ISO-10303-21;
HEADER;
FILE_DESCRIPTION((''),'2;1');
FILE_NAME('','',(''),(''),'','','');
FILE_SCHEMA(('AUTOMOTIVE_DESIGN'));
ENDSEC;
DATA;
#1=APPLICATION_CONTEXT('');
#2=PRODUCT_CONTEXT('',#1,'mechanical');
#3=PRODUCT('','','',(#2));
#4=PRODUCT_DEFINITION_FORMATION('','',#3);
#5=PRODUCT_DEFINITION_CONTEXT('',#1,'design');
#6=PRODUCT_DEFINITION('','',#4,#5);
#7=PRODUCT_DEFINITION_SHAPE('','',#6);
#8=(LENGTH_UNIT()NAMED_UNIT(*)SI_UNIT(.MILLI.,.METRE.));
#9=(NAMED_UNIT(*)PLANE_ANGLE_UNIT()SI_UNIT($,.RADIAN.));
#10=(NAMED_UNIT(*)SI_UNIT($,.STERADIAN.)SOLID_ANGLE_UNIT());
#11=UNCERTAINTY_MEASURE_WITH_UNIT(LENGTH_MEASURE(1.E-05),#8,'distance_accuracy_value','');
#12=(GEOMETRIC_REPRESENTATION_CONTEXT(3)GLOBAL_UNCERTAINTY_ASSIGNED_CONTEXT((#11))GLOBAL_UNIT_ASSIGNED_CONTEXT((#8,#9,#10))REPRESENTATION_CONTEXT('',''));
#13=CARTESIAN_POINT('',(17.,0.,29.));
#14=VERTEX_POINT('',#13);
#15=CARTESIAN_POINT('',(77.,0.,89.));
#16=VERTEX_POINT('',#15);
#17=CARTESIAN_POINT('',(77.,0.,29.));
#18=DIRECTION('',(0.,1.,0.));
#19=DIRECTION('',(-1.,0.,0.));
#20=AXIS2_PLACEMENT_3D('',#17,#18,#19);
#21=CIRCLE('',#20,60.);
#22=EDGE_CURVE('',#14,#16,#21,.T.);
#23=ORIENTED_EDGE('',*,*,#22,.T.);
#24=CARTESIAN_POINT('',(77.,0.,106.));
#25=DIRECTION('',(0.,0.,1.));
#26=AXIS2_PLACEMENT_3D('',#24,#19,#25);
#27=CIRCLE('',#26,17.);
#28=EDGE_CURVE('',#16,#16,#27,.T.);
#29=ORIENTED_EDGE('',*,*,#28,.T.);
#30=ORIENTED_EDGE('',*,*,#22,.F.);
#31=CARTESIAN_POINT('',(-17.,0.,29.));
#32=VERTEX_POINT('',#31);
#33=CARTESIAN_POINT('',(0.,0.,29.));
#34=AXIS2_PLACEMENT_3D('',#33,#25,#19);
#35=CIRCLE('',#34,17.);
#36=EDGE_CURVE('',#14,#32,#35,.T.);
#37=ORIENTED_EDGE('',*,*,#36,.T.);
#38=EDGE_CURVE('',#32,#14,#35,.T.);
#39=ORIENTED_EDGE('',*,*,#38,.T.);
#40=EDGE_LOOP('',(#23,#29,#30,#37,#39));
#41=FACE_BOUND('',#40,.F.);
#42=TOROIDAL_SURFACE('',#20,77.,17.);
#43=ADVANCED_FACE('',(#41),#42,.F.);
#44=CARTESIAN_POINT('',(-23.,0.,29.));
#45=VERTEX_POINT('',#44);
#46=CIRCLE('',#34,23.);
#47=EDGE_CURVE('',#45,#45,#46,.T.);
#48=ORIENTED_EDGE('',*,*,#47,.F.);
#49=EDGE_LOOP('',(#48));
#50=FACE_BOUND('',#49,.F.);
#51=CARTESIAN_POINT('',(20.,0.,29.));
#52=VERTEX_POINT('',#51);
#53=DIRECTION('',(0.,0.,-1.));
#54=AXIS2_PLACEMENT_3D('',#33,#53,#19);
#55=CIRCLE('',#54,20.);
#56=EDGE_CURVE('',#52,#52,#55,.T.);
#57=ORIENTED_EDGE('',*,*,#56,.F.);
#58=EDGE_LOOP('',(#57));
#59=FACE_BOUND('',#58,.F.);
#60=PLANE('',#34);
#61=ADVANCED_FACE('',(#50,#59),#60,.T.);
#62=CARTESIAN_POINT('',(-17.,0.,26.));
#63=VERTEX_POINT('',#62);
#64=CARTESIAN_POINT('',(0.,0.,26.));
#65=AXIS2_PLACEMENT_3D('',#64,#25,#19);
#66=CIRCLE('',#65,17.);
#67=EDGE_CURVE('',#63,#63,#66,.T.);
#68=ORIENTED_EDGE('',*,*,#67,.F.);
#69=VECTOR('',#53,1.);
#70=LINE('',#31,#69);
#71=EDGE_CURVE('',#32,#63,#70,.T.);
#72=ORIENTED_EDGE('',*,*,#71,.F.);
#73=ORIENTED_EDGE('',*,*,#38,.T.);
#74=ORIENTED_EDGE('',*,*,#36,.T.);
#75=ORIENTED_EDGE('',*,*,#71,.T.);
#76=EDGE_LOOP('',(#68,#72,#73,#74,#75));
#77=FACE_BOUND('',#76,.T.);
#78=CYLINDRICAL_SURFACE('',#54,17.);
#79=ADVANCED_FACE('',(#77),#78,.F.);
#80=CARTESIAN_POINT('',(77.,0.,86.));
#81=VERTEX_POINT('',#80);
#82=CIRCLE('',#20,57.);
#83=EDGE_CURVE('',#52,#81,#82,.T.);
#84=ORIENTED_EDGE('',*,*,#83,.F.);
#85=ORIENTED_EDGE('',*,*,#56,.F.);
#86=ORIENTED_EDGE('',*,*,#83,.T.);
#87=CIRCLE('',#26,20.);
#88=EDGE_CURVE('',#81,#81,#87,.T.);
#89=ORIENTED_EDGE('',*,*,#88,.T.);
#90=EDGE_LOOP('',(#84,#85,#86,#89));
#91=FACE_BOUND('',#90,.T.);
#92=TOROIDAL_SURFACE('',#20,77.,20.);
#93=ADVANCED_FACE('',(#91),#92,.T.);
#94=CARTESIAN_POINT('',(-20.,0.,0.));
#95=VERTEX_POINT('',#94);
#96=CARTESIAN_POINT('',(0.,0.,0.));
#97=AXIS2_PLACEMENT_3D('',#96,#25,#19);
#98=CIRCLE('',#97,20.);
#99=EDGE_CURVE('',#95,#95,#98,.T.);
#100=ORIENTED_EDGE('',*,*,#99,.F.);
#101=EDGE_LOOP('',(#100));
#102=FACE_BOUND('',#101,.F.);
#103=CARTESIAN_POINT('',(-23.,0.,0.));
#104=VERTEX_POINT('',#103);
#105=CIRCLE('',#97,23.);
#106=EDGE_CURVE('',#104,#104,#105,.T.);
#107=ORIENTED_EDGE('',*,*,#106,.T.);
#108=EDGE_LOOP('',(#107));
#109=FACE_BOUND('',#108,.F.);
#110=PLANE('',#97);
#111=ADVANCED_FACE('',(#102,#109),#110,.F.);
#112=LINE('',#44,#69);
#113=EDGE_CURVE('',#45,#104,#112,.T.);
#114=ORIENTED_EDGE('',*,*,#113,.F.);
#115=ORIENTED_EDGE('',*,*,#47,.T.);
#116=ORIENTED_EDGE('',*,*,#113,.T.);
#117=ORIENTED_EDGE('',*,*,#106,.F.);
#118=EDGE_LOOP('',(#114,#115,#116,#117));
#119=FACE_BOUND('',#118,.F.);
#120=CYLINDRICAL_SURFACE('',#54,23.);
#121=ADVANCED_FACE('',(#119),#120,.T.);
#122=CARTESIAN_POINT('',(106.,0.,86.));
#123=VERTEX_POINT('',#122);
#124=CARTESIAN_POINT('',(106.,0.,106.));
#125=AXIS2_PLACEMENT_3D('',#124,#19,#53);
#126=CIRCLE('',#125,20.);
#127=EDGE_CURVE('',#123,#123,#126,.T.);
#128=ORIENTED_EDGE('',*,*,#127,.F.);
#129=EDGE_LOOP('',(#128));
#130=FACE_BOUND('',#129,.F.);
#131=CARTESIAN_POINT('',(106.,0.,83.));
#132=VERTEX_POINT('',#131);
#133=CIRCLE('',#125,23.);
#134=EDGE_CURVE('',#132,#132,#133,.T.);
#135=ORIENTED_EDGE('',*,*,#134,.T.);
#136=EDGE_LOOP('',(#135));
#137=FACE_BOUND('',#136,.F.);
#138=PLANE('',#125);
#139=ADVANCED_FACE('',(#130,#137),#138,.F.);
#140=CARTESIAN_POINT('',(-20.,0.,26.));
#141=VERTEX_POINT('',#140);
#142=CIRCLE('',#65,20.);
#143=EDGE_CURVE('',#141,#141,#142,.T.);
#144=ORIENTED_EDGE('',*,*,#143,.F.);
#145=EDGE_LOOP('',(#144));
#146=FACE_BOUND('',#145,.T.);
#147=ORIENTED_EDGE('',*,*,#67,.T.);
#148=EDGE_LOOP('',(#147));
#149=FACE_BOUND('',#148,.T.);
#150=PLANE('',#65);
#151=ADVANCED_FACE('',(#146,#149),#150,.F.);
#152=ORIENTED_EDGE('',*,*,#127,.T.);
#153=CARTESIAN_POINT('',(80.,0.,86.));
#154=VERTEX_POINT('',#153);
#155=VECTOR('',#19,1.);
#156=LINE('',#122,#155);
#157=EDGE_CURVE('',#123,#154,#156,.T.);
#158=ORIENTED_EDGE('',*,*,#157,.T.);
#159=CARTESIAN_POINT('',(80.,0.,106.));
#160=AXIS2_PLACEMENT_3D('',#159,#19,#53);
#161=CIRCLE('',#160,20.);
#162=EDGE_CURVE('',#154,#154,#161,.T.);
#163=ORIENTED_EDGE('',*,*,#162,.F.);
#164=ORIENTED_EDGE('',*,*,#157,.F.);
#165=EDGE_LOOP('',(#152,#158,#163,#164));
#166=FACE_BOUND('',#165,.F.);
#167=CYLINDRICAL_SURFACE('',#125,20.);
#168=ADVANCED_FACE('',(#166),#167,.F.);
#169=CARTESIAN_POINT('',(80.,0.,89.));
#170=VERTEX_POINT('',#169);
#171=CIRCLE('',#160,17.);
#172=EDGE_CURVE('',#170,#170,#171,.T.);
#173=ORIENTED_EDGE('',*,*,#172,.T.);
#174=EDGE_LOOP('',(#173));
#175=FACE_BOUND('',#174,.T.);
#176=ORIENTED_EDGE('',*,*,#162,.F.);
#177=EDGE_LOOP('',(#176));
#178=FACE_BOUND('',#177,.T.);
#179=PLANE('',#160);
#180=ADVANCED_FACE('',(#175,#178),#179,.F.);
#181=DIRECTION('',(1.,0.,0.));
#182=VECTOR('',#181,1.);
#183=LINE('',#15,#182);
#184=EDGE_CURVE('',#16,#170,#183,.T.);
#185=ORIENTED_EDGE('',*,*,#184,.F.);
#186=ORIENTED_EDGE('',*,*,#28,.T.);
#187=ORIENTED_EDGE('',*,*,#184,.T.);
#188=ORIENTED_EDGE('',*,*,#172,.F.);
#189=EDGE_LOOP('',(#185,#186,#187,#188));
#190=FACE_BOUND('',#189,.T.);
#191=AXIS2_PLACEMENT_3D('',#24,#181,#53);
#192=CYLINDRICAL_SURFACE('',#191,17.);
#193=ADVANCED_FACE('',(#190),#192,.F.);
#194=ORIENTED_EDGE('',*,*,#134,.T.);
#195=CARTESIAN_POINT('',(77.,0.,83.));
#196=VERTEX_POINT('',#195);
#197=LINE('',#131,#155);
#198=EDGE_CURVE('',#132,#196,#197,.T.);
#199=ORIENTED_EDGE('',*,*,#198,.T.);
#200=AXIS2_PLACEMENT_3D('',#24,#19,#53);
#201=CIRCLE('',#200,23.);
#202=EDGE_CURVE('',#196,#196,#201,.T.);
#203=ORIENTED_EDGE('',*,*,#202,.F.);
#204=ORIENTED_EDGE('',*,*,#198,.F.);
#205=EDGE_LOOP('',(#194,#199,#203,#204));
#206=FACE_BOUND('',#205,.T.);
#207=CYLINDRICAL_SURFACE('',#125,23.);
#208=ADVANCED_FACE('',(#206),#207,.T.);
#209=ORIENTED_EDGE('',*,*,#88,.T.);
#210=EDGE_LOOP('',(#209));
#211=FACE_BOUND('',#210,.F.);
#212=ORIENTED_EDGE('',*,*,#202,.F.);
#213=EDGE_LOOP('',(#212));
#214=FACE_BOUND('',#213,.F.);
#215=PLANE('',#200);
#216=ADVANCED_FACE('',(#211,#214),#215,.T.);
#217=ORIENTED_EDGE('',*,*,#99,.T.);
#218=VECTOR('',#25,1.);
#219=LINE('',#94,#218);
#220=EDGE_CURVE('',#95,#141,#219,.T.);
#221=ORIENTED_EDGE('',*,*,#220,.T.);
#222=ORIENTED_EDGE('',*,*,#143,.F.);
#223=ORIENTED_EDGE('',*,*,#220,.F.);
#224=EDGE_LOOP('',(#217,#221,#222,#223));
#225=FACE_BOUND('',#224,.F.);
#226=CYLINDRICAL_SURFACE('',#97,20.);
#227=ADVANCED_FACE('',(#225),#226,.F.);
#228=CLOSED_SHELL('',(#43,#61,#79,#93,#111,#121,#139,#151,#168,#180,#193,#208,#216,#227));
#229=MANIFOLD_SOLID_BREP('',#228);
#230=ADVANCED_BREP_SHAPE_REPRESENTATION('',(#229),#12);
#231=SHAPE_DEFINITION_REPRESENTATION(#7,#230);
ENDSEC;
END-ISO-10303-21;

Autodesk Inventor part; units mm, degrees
ref_plane "YZ Plane" through (0, 0, 0) normal (1, 0, 0) x (0, 1, 0)
ref_plane "XZ Plane" through (0, 0, 0) normal (0, 1, 0) x (-1, 0, 0)
ref_plane "XY Plane" through (0, 0, 0) normal (0, 0, 1) x (1, 0, 0)
sketch "Sketch1" plane through (0, 0, 0) normal (0, 1, 0) x (-1, 0, 0)
  line L0 (0, 0) -> (0, 29)
  line L1 (17, 29) -> (23, 29)
  line L2 (0, 29) -> (17, 29) construction
  line L3 (23, 29) -> (23, 0)
  line L4 (23, 0) -> (20, 0)
  line L5 (20, 0) -> (20, 26)
  line L6 (20, 0) -> (0, 0) construction
  line L7 (-106, 106) -> (-77, 106)
  line L8 (-77, 106) -> (-77, 89) construction
  line L9 (-106, 83) -> (-106, 86)
  line L10 (-106, 86) -> (-80, 86)
  line L11 (-106, 86) -> (-106, 106) construction
  line L12 (-77, 106) -> (0, 106) construction
  line L13 (0, 106) -> (0, 29) construction
  line L14 (17, 29) -> (17, 26)
  line L15 (17, 26) -> (20, 26)
  line L16 (-77, 89) -> (-80, 89)
  line L17 (-80, 89) -> (-80, 86)
  line L18 (-106, 83) -> (-77, 83)
  line L19 (-77, 89) -> (-77, 83)
  line L20 (-80, 89) -> (-80, 106) construction
  line L21 (17, 26) -> (0, 26) construction
  dimension "d0" = 40
  dimension "d1" = 3
  dimension "d2" = 26
  dimension "d4" = 34
  dimension "d6" = 40
  dimension "d7" = 34
  dimension "d10" = 3
  dimension "d11" = 3
  dimension "d12" = 26
  dimension "d14" = 80
  dimension "d15" = 80
  dimension "d16" = 3
revolve "Revolution1" add sketch "Sketch1" angle 360 about axis through (0, 0, 0) along (0, 0, 1) contours L1 L3 L4 L5 L15 L14
sketch "Sketch3" plane through (0, 0, 29) normal (0, 0, 1) x (1, 0, 0)
  circle A0 centre (0, 0) radius 20
  circle A1 centre (0, 0) radius 20
  circle A2 centre (0, 0) radius 17 projected
  circle A3 centre (0, 0) radius 17
  dimension "d13" = 40
sketch "Sketch2" plane through (0, 0, 0) normal (0, 1, 0) x (-1, 0, 0)
  line L0 (0, 29) -> (0, 106) construction
  line L1 (0, 106) -> (-77, 106) construction
  arc A0 (0, 29) -> (-77, 106) centre (-77, 29) ccw
  line L2 (-23, 29) -> (23, 29) projected
  dimension "d8" = 77
  dimension "d9" = 77
sweep "Sweep1" add profiles "Sketch3" path "Sketch2" path curves A0
revolve "Revolution2" add sketch "Sketch1" angle 360 about axis through (106, 0, 106) along (-1, 0, 0) contours L9 L10 L17 L16 L19 L18
equation "\"d0\" = D1"
equation "\"d1\" = S"
equation "\"d2\" = T"
equation "\"d4\" = D1 - 2 * S"
equation "\"d6\" = D1"
equation "\"d7\" = D1 - 2 * S"
equation "\"d10\" = S"
equation "\"d11\" = S"
equation "\"d12\" = T"
equation "\"d14\" = Z"
equation "\"d15\" = Z"
equation "\"d16\" = S"
equation "\"d8\" = Z - S"
equation "\"d9\" = Z - S"
equation "\"d13\" = D1"
equation "\"D1\" = 40"
equation "\"T\" = 26"
equation "\"Z\" = 80"
equation "\"S\" = 3"
properties part number "DIN 8063 90 Deg Elbow Type B 40" material "PVC, Unplasticized"
